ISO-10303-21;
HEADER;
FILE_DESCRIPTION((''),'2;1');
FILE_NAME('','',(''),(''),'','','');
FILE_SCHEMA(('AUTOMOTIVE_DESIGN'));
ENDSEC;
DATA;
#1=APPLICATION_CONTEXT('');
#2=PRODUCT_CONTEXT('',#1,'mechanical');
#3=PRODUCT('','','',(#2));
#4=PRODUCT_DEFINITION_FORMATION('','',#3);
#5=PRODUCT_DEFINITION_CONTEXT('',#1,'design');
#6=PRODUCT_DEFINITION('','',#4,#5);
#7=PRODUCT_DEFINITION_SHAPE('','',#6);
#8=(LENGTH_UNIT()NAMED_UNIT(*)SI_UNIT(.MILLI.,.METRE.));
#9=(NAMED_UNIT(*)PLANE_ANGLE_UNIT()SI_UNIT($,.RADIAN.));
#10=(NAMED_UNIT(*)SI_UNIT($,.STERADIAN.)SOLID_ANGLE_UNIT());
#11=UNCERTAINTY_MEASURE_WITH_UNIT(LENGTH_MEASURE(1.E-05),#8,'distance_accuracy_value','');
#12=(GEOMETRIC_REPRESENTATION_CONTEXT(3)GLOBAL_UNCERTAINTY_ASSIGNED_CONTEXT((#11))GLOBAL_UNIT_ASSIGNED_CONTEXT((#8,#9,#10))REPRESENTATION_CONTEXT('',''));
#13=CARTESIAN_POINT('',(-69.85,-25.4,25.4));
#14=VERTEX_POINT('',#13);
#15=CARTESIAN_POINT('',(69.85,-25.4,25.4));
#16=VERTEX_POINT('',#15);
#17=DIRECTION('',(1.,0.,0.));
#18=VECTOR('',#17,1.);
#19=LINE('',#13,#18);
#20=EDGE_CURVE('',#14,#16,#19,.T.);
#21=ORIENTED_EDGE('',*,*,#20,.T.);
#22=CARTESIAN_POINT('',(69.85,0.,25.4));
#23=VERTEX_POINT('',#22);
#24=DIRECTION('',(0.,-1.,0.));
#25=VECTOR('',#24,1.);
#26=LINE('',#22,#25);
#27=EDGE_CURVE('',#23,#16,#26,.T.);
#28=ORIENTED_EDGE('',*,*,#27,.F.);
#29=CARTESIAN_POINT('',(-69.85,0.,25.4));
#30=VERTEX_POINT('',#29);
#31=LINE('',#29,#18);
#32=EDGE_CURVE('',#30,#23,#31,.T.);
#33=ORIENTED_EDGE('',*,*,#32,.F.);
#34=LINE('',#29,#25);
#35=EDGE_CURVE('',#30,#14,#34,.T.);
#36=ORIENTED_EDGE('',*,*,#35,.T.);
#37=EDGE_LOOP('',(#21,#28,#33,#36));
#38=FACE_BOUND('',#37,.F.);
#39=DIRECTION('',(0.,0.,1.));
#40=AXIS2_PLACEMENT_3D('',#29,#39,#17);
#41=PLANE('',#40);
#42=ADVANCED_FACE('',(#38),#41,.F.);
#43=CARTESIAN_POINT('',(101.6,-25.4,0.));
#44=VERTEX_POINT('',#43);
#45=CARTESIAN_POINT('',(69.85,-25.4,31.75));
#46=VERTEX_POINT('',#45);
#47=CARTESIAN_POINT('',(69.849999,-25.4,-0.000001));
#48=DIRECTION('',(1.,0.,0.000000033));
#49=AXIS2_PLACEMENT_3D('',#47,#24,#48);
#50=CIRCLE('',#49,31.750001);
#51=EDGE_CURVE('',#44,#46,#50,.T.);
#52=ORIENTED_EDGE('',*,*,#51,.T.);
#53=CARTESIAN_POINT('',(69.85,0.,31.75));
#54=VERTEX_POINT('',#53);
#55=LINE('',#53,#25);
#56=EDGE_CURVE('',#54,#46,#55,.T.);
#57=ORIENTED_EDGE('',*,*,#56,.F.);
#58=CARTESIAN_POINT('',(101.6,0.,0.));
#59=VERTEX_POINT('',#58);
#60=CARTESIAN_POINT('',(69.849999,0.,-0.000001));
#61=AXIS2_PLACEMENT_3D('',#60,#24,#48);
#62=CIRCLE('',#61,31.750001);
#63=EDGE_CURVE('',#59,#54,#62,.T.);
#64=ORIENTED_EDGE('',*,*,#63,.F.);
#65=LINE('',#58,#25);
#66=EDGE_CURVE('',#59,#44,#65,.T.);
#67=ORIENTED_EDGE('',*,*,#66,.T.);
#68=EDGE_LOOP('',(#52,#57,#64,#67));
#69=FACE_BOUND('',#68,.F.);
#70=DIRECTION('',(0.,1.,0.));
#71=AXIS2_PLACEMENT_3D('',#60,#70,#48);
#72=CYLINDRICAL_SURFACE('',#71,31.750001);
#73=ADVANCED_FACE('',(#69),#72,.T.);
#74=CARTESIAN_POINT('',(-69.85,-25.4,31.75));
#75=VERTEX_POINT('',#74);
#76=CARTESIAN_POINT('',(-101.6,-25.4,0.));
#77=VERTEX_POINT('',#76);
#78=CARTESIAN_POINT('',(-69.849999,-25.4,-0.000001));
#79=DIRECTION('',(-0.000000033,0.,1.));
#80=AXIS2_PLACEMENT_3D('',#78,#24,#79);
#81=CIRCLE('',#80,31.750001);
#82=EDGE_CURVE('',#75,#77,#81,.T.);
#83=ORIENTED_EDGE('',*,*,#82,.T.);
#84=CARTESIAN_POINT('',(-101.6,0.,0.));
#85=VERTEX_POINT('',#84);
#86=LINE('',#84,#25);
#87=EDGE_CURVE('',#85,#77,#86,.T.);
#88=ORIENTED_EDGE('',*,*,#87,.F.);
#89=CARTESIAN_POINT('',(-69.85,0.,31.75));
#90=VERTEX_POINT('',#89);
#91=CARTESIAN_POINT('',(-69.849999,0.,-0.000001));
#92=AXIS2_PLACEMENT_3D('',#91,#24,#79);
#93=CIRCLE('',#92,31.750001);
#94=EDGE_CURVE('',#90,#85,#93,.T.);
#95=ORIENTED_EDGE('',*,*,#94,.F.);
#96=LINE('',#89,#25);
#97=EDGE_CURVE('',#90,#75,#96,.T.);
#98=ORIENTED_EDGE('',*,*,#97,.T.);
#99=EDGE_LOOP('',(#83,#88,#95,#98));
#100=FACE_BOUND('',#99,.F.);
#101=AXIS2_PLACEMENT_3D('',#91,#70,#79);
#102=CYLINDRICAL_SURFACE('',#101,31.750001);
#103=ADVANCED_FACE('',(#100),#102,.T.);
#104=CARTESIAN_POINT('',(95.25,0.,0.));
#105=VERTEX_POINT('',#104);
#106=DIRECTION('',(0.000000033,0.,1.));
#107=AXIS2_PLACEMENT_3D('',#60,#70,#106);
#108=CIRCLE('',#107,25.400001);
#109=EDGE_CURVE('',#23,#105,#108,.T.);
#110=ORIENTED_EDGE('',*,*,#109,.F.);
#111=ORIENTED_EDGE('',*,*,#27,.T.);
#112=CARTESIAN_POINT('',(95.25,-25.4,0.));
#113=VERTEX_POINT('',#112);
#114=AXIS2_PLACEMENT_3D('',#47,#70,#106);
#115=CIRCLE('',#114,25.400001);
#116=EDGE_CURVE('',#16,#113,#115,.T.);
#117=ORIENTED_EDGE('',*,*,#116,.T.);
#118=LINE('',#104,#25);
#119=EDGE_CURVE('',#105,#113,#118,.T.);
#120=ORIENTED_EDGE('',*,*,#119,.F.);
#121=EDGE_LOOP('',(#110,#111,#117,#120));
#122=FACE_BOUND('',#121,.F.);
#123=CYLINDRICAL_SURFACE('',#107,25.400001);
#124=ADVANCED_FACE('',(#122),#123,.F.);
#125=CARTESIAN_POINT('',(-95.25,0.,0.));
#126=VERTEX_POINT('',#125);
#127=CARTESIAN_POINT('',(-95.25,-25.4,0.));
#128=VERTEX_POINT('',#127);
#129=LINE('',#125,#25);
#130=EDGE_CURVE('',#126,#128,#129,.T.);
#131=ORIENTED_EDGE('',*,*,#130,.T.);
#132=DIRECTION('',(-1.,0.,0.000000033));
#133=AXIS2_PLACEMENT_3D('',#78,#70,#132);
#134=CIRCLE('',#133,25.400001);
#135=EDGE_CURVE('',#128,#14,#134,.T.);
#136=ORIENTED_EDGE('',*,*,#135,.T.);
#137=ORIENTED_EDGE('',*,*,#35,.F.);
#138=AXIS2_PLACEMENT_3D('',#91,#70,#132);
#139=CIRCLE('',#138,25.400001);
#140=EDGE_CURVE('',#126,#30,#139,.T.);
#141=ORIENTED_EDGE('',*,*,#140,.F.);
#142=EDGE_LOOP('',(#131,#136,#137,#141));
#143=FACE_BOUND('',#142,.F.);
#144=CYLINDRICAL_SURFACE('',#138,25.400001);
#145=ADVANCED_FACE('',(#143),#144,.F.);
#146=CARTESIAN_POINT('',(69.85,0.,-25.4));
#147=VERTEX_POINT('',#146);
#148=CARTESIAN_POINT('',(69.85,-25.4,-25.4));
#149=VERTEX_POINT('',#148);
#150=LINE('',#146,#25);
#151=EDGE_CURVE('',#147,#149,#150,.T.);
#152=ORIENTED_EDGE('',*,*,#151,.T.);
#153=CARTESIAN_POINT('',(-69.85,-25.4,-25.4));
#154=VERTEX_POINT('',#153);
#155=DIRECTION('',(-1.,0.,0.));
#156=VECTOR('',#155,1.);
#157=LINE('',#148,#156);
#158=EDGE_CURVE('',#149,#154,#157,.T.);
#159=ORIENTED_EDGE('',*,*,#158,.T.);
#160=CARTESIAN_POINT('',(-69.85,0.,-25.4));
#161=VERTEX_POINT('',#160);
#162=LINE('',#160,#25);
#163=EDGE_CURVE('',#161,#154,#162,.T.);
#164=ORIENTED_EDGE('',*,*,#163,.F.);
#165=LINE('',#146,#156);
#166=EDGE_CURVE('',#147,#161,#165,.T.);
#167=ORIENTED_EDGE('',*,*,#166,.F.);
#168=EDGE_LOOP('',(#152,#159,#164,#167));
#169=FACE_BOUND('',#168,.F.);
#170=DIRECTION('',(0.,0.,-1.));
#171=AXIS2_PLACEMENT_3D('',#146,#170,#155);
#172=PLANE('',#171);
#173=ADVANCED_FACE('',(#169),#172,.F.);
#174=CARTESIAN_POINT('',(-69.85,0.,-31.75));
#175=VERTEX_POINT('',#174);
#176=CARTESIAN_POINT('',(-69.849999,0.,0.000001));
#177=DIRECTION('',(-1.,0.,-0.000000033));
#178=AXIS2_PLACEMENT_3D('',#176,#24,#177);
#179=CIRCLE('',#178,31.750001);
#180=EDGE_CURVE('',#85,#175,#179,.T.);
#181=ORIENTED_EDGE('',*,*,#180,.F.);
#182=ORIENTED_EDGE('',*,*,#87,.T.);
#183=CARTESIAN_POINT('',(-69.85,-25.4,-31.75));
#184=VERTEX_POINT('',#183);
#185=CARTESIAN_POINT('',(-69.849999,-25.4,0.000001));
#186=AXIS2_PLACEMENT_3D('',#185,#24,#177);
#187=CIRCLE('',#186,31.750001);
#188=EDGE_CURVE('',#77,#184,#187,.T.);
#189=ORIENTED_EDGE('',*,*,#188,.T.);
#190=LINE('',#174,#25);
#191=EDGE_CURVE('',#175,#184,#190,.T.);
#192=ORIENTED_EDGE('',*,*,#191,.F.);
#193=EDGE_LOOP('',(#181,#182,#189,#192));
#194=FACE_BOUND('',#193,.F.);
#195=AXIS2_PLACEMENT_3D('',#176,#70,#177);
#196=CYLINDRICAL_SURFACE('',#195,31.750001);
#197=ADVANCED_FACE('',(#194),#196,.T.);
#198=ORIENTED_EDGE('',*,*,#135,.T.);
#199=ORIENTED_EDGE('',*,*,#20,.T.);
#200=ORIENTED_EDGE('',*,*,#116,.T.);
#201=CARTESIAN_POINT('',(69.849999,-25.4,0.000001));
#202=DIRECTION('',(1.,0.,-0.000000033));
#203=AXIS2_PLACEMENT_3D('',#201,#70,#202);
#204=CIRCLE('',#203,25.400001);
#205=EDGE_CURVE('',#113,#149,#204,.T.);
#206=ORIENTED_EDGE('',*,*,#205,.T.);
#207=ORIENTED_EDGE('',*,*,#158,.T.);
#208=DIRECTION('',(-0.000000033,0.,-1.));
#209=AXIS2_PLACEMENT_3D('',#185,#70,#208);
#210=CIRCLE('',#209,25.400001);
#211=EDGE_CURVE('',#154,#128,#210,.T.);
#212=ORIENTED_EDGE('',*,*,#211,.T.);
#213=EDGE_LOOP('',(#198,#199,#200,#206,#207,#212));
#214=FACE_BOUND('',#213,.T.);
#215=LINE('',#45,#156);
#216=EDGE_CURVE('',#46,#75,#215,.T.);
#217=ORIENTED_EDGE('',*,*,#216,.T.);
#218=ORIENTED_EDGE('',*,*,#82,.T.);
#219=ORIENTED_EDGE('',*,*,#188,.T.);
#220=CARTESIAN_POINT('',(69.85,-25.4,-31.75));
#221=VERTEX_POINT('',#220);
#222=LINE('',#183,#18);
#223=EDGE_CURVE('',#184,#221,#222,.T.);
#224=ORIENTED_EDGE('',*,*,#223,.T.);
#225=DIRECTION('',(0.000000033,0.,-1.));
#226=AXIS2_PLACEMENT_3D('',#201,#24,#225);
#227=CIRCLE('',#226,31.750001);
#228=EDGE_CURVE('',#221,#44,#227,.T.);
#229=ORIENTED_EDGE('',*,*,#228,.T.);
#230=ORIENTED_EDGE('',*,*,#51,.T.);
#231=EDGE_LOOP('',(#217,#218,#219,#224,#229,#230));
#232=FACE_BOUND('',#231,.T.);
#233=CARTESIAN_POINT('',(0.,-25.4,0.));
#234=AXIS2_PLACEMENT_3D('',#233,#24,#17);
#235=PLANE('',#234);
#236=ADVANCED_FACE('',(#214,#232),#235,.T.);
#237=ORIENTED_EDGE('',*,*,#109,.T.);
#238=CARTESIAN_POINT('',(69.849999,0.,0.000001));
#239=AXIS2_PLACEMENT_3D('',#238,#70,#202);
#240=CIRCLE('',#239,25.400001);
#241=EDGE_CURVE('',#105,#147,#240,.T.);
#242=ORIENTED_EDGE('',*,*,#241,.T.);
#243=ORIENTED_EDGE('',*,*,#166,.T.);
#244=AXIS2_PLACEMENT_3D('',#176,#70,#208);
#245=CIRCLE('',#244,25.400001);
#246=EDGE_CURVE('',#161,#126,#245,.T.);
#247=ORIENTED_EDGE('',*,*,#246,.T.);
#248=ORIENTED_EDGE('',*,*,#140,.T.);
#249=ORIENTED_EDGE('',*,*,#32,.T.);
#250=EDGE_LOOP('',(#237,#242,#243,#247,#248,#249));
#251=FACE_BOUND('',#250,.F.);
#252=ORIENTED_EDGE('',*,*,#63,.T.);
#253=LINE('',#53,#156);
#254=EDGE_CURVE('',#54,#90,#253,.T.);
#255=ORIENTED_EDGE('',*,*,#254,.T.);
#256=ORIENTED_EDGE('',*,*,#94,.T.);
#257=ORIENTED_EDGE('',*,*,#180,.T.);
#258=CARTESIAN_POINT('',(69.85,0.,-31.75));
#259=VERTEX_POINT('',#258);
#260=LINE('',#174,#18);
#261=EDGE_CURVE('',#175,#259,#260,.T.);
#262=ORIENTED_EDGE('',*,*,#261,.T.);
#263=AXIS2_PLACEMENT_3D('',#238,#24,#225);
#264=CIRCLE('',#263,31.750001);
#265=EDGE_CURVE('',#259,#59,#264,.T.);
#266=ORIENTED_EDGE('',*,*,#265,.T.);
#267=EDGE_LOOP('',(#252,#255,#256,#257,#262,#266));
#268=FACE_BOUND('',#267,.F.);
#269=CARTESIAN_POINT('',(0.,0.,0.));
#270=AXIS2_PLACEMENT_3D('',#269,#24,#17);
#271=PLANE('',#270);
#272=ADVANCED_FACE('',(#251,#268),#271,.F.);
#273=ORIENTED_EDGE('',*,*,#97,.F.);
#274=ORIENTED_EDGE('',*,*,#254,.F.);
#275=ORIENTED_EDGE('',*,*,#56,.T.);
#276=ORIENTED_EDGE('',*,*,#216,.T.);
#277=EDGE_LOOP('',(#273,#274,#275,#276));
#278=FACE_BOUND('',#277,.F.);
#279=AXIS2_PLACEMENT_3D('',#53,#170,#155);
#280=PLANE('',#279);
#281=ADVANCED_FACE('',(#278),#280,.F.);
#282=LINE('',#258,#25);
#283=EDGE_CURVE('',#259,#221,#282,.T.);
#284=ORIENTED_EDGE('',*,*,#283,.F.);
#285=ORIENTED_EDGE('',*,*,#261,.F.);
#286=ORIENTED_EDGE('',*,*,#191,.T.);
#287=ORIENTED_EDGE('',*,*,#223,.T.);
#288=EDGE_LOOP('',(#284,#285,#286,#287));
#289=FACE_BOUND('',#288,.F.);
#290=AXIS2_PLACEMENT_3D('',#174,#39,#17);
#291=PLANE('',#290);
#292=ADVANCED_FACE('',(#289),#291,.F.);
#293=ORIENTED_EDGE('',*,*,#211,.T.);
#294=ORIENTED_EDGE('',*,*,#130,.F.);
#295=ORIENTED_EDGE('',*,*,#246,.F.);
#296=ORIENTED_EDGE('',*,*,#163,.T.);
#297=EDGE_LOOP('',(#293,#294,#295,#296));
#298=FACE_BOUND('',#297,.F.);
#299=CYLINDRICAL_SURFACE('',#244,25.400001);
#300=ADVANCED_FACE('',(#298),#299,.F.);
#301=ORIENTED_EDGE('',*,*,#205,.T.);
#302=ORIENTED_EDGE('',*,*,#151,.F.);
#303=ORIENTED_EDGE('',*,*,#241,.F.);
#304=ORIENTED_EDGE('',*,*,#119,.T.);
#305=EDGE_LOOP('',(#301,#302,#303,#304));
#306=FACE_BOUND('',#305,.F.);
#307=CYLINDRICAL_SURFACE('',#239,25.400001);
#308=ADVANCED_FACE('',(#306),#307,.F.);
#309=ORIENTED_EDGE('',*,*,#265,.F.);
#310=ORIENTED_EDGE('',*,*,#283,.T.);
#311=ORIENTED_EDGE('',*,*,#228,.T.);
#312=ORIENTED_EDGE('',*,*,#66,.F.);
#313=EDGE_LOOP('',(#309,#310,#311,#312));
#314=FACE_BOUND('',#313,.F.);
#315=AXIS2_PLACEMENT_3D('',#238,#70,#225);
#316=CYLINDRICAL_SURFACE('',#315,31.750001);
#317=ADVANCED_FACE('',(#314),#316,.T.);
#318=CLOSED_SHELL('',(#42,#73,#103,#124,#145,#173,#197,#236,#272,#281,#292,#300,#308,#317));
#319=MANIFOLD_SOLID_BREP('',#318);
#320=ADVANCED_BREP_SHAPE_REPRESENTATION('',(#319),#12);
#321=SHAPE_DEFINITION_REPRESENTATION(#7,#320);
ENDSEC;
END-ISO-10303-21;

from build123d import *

# Parameters (mm, degrees)
F1_DEPTH = 25.4


with BuildPart() as f1:
    # F0 (on Front) → F1 (new body)
    with BuildSketch(Plane.XZ):
        with BuildLine():
            Line((69.85, 31.75), (-69.85, 31.75))
            ThreePointArc((-69.85, 31.75), (-92.30064, 22.45064), (-101.6, 0))
            ThreePointArc((-101.6, 0), (-92.30064, -22.45064), (-69.85, -31.75))
            Line((-69.85, -31.75), (69.85, -31.75))
            ThreePointArc((69.85, -31.75), (92.30064, -22.45064), (101.6, 0))
            ThreePointArc((101.6, 0), (92.30064, 22.45064), (69.85, 31.75))
        make_face()
        with BuildLine():
            Line((-69.85, 25.4), (69.85, 25.4))
            ThreePointArc((69.85, 25.4), (87.810512, 17.960512), (95.25, 0))
            ThreePointArc((95.25, 0), (87.810512, -17.960512), (69.85, -25.4))
            Line((69.85, -25.4), (-69.85, -25.4))
            ThreePointArc((-69.85, -25.4), (-87.810512, -17.960512), (-95.25, 0))
            ThreePointArc((-95.25, 0), (-87.810512, 17.960512), (-69.85, 25.4))
        make_face(mode=Mode.SUBTRACT)
    extrude(amount=F1_DEPTH)


solid = f1.part
